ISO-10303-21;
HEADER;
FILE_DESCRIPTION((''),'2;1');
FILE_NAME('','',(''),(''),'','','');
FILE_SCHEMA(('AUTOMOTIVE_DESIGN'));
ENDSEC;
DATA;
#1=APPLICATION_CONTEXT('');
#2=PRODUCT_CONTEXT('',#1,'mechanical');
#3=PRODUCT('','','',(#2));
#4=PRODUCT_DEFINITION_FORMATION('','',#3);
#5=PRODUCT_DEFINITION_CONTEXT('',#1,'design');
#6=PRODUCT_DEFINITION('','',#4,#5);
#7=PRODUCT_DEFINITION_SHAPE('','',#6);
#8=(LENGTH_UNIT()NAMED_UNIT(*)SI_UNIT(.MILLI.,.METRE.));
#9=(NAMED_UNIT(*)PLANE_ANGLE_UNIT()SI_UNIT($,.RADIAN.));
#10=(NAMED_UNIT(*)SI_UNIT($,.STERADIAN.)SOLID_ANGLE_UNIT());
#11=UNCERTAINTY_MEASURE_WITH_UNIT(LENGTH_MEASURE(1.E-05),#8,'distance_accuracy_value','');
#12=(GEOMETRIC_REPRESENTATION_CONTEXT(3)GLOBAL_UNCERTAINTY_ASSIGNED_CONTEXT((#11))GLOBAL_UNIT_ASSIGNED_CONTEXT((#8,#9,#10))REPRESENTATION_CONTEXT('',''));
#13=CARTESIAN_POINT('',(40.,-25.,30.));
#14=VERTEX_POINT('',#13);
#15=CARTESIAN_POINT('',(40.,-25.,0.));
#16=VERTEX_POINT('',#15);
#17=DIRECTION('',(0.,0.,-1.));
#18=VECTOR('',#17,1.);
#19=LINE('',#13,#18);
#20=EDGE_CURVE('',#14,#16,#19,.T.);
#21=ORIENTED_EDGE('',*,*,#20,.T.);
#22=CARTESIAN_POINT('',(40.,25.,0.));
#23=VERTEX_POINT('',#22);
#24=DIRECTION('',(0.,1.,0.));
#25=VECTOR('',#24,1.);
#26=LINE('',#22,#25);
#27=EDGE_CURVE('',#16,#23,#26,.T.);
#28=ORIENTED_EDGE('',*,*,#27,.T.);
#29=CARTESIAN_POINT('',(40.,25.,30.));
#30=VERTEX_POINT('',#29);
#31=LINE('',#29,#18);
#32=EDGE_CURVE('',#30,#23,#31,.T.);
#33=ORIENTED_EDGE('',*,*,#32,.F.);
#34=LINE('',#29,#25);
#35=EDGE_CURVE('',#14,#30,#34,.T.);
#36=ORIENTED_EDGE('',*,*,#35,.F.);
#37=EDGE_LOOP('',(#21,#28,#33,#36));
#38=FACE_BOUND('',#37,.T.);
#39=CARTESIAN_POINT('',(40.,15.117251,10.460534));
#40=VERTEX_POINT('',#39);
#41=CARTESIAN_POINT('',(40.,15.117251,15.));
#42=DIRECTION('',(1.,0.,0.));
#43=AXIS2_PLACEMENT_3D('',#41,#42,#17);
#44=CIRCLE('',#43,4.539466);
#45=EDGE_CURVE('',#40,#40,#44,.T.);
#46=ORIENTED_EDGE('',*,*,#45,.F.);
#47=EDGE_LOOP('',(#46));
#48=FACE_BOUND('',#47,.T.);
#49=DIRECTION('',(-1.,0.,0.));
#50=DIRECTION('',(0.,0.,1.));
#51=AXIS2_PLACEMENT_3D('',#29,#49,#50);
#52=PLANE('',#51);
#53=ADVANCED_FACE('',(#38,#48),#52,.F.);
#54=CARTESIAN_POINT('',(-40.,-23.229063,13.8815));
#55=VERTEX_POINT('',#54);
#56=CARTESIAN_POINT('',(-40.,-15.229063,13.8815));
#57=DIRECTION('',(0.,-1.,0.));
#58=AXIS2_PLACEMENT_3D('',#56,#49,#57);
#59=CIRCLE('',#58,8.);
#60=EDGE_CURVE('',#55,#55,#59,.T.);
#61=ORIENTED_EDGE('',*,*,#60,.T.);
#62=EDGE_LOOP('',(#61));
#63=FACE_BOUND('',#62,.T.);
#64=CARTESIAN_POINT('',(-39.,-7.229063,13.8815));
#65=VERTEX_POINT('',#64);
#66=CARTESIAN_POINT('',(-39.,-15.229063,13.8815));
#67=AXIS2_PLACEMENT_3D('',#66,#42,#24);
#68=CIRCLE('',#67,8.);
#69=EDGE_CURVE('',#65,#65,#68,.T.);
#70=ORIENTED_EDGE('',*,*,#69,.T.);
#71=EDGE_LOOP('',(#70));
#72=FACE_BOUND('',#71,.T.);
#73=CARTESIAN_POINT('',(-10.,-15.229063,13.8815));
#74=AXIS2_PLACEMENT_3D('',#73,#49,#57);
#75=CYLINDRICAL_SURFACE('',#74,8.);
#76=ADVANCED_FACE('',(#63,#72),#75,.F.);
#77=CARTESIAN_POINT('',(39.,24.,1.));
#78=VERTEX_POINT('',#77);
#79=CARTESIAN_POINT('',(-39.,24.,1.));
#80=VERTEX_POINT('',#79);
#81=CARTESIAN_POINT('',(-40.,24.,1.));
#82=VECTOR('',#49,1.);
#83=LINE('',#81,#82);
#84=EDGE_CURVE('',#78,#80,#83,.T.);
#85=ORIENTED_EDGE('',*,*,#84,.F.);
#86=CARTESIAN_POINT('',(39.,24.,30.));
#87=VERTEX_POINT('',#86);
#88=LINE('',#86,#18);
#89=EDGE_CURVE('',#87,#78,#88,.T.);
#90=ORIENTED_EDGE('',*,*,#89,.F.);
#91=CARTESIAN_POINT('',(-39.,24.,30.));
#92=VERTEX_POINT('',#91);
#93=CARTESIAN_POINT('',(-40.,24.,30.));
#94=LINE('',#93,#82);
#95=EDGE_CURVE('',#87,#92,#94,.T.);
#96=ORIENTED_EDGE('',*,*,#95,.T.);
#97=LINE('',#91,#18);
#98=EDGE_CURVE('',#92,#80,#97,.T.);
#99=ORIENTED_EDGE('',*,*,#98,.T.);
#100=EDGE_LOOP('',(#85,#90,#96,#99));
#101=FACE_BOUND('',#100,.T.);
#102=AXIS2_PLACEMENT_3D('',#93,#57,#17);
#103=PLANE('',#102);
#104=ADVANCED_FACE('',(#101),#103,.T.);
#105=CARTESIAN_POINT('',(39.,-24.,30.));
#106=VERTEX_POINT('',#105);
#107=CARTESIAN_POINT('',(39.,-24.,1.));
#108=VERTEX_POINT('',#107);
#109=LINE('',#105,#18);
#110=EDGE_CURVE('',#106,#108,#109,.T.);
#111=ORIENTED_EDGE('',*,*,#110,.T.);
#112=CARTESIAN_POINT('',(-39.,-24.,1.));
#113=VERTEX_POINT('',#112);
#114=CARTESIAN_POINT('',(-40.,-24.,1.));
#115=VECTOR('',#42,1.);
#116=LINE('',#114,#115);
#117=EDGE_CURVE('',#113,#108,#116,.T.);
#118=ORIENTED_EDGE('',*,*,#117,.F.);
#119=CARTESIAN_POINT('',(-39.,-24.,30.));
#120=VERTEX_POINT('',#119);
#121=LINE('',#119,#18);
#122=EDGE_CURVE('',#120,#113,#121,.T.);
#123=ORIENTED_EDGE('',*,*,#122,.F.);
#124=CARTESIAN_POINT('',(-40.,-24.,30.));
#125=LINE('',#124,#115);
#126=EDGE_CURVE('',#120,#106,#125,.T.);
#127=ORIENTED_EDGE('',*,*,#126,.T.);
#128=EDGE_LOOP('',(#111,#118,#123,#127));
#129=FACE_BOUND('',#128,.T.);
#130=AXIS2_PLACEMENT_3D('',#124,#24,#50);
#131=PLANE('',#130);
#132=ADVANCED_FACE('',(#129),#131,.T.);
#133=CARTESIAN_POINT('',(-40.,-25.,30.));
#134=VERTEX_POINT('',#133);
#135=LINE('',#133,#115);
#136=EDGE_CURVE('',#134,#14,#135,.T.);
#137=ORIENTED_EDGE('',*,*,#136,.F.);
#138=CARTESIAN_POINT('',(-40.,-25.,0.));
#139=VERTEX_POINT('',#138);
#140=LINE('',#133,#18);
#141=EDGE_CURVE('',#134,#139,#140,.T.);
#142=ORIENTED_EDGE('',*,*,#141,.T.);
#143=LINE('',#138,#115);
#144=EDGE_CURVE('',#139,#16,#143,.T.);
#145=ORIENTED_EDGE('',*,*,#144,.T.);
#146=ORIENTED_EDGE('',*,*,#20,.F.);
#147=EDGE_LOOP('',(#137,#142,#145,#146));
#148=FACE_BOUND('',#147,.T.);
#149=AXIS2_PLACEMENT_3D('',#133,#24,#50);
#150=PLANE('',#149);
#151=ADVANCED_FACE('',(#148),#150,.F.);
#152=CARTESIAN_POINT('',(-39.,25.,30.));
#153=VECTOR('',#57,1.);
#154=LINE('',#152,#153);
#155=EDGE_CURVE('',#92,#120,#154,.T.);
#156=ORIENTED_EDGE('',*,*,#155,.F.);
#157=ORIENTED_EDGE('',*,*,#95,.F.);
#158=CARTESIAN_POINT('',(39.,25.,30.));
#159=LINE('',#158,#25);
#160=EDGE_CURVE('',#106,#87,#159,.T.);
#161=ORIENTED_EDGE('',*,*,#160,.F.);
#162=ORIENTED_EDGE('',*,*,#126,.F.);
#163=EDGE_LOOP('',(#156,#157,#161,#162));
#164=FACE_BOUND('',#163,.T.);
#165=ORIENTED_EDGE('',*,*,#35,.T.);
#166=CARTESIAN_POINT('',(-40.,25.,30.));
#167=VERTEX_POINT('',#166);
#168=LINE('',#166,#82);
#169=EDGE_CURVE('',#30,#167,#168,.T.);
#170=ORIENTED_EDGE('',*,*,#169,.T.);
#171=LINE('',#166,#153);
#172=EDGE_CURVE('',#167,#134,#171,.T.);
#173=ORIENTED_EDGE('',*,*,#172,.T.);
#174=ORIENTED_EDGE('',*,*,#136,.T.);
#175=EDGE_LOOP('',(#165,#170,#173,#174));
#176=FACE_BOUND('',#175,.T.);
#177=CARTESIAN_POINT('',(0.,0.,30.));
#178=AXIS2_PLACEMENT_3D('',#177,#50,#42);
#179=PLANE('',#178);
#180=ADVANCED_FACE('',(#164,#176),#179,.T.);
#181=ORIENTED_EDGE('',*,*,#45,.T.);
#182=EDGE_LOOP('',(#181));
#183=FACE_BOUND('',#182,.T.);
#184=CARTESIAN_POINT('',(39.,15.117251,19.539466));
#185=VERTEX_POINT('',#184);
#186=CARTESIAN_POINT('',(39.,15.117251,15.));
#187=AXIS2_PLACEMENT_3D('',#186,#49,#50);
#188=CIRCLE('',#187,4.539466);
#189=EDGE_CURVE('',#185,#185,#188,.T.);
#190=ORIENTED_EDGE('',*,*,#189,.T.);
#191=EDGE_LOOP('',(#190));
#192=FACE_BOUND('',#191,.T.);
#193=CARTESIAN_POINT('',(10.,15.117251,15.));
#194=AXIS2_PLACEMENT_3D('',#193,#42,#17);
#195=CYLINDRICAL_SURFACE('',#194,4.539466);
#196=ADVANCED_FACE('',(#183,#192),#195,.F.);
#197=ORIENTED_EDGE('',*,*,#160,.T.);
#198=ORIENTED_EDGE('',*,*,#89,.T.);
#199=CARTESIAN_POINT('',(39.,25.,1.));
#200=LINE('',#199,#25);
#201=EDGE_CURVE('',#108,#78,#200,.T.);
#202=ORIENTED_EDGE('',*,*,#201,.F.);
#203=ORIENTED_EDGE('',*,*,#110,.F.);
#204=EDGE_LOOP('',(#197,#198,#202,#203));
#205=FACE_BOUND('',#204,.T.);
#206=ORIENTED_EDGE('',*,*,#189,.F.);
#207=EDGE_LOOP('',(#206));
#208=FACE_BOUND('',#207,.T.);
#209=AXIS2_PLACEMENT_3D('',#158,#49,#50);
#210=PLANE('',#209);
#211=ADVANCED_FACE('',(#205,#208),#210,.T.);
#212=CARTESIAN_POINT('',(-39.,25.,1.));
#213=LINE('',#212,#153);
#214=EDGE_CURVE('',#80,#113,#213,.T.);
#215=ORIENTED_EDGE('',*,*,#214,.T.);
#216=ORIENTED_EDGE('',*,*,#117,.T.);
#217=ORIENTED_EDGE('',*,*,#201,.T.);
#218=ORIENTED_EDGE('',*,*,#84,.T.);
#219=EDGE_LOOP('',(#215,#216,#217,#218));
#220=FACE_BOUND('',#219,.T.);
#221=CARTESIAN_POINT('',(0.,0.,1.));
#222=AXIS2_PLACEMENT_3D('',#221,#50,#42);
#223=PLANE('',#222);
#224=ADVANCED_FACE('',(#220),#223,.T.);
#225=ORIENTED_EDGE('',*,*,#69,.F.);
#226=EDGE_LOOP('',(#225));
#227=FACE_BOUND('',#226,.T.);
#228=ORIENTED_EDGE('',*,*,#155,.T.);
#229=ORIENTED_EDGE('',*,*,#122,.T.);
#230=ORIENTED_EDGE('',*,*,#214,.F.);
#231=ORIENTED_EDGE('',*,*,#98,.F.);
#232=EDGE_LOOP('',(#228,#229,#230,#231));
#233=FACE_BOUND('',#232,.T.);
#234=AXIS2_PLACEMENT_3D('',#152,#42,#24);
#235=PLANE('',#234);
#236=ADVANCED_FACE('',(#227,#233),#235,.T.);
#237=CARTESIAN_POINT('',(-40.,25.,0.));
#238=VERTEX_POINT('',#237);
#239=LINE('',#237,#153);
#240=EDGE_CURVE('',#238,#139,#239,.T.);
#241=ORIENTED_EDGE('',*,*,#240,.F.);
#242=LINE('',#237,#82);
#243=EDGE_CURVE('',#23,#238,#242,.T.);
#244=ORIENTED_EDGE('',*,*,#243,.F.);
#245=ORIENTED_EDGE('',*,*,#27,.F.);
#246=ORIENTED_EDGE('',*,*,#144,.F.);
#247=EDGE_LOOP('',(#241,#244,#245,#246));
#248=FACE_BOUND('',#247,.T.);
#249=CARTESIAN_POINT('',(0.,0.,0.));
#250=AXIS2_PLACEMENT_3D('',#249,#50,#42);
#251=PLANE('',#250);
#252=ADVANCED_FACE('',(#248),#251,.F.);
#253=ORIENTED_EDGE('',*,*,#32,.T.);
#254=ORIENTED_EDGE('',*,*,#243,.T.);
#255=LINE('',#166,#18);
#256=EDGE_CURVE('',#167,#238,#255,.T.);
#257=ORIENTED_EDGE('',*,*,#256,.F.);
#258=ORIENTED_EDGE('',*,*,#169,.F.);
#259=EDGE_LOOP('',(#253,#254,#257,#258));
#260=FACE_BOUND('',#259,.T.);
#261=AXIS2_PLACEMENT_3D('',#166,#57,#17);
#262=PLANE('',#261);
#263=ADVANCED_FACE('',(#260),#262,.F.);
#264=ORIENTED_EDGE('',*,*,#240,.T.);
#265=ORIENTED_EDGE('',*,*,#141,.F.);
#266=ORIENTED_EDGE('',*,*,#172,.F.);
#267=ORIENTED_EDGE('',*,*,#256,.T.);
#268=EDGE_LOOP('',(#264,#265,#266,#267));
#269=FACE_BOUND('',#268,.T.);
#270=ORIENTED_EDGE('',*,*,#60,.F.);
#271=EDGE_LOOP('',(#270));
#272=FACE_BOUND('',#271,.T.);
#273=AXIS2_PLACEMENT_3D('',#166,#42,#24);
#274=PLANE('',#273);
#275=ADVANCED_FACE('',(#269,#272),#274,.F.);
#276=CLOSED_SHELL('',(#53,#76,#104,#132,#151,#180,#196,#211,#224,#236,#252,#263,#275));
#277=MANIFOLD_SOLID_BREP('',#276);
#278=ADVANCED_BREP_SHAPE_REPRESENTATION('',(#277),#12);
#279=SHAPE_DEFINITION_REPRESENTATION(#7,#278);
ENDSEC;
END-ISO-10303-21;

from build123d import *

# Parameters (mm, degrees)
SKETCH_1_W          = 80
SKETCH_1_H          = 50
EXTRUDE_1_DEPTH     = 30
SHELL_1_T           = -1
SKETCH_3_R          = 4.539465833
CUT_EXTRUDE_1_DEPTH = 30
SKETCH_4_R          = 8
CUT_EXTRUDE_2_DEPTH = 30


with BuildPart() as part:
    # 草图1 → 凸台-拉伸1 (new body)
    with BuildSketch(Plane.XY):
        Rectangle(SKETCH_1_W, SKETCH_1_H)
    extrude(amount=EXTRUDE_1_DEPTH)

    # 抽壳1
    shell_1_openings = [part.faces().sort_by_distance(p)[0] for p in [
        (0, 0, 30),
    ]]
    offset(amount=SHELL_1_T, openings=shell_1_openings, kind=Kind.INTERSECTION)

    # 草图3 → 切除-拉伸1 (cut)
    with BuildSketch(Plane(origin=(40, 0, 0), x_dir=(0, 0, -1), z_dir=(1, 0, 0))):
        with Locations((-15, 15.117251004)):
            Circle(SKETCH_3_R)
    extrude(amount=-CUT_EXTRUDE_1_DEPTH, mode=Mode.SUBTRACT)

    # 草图4 → 切除-拉伸2 (cut)
    with BuildSketch(Plane.ZY.offset(40)):
        with Locations(Location((13.881500003, -15.22906305, 0), (0, 0, 270))):
            Circle(SKETCH_4_R)
    extrude(amount=-CUT_EXTRUDE_2_DEPTH, mode=Mode.SUBTRACT)


solid = part.part
